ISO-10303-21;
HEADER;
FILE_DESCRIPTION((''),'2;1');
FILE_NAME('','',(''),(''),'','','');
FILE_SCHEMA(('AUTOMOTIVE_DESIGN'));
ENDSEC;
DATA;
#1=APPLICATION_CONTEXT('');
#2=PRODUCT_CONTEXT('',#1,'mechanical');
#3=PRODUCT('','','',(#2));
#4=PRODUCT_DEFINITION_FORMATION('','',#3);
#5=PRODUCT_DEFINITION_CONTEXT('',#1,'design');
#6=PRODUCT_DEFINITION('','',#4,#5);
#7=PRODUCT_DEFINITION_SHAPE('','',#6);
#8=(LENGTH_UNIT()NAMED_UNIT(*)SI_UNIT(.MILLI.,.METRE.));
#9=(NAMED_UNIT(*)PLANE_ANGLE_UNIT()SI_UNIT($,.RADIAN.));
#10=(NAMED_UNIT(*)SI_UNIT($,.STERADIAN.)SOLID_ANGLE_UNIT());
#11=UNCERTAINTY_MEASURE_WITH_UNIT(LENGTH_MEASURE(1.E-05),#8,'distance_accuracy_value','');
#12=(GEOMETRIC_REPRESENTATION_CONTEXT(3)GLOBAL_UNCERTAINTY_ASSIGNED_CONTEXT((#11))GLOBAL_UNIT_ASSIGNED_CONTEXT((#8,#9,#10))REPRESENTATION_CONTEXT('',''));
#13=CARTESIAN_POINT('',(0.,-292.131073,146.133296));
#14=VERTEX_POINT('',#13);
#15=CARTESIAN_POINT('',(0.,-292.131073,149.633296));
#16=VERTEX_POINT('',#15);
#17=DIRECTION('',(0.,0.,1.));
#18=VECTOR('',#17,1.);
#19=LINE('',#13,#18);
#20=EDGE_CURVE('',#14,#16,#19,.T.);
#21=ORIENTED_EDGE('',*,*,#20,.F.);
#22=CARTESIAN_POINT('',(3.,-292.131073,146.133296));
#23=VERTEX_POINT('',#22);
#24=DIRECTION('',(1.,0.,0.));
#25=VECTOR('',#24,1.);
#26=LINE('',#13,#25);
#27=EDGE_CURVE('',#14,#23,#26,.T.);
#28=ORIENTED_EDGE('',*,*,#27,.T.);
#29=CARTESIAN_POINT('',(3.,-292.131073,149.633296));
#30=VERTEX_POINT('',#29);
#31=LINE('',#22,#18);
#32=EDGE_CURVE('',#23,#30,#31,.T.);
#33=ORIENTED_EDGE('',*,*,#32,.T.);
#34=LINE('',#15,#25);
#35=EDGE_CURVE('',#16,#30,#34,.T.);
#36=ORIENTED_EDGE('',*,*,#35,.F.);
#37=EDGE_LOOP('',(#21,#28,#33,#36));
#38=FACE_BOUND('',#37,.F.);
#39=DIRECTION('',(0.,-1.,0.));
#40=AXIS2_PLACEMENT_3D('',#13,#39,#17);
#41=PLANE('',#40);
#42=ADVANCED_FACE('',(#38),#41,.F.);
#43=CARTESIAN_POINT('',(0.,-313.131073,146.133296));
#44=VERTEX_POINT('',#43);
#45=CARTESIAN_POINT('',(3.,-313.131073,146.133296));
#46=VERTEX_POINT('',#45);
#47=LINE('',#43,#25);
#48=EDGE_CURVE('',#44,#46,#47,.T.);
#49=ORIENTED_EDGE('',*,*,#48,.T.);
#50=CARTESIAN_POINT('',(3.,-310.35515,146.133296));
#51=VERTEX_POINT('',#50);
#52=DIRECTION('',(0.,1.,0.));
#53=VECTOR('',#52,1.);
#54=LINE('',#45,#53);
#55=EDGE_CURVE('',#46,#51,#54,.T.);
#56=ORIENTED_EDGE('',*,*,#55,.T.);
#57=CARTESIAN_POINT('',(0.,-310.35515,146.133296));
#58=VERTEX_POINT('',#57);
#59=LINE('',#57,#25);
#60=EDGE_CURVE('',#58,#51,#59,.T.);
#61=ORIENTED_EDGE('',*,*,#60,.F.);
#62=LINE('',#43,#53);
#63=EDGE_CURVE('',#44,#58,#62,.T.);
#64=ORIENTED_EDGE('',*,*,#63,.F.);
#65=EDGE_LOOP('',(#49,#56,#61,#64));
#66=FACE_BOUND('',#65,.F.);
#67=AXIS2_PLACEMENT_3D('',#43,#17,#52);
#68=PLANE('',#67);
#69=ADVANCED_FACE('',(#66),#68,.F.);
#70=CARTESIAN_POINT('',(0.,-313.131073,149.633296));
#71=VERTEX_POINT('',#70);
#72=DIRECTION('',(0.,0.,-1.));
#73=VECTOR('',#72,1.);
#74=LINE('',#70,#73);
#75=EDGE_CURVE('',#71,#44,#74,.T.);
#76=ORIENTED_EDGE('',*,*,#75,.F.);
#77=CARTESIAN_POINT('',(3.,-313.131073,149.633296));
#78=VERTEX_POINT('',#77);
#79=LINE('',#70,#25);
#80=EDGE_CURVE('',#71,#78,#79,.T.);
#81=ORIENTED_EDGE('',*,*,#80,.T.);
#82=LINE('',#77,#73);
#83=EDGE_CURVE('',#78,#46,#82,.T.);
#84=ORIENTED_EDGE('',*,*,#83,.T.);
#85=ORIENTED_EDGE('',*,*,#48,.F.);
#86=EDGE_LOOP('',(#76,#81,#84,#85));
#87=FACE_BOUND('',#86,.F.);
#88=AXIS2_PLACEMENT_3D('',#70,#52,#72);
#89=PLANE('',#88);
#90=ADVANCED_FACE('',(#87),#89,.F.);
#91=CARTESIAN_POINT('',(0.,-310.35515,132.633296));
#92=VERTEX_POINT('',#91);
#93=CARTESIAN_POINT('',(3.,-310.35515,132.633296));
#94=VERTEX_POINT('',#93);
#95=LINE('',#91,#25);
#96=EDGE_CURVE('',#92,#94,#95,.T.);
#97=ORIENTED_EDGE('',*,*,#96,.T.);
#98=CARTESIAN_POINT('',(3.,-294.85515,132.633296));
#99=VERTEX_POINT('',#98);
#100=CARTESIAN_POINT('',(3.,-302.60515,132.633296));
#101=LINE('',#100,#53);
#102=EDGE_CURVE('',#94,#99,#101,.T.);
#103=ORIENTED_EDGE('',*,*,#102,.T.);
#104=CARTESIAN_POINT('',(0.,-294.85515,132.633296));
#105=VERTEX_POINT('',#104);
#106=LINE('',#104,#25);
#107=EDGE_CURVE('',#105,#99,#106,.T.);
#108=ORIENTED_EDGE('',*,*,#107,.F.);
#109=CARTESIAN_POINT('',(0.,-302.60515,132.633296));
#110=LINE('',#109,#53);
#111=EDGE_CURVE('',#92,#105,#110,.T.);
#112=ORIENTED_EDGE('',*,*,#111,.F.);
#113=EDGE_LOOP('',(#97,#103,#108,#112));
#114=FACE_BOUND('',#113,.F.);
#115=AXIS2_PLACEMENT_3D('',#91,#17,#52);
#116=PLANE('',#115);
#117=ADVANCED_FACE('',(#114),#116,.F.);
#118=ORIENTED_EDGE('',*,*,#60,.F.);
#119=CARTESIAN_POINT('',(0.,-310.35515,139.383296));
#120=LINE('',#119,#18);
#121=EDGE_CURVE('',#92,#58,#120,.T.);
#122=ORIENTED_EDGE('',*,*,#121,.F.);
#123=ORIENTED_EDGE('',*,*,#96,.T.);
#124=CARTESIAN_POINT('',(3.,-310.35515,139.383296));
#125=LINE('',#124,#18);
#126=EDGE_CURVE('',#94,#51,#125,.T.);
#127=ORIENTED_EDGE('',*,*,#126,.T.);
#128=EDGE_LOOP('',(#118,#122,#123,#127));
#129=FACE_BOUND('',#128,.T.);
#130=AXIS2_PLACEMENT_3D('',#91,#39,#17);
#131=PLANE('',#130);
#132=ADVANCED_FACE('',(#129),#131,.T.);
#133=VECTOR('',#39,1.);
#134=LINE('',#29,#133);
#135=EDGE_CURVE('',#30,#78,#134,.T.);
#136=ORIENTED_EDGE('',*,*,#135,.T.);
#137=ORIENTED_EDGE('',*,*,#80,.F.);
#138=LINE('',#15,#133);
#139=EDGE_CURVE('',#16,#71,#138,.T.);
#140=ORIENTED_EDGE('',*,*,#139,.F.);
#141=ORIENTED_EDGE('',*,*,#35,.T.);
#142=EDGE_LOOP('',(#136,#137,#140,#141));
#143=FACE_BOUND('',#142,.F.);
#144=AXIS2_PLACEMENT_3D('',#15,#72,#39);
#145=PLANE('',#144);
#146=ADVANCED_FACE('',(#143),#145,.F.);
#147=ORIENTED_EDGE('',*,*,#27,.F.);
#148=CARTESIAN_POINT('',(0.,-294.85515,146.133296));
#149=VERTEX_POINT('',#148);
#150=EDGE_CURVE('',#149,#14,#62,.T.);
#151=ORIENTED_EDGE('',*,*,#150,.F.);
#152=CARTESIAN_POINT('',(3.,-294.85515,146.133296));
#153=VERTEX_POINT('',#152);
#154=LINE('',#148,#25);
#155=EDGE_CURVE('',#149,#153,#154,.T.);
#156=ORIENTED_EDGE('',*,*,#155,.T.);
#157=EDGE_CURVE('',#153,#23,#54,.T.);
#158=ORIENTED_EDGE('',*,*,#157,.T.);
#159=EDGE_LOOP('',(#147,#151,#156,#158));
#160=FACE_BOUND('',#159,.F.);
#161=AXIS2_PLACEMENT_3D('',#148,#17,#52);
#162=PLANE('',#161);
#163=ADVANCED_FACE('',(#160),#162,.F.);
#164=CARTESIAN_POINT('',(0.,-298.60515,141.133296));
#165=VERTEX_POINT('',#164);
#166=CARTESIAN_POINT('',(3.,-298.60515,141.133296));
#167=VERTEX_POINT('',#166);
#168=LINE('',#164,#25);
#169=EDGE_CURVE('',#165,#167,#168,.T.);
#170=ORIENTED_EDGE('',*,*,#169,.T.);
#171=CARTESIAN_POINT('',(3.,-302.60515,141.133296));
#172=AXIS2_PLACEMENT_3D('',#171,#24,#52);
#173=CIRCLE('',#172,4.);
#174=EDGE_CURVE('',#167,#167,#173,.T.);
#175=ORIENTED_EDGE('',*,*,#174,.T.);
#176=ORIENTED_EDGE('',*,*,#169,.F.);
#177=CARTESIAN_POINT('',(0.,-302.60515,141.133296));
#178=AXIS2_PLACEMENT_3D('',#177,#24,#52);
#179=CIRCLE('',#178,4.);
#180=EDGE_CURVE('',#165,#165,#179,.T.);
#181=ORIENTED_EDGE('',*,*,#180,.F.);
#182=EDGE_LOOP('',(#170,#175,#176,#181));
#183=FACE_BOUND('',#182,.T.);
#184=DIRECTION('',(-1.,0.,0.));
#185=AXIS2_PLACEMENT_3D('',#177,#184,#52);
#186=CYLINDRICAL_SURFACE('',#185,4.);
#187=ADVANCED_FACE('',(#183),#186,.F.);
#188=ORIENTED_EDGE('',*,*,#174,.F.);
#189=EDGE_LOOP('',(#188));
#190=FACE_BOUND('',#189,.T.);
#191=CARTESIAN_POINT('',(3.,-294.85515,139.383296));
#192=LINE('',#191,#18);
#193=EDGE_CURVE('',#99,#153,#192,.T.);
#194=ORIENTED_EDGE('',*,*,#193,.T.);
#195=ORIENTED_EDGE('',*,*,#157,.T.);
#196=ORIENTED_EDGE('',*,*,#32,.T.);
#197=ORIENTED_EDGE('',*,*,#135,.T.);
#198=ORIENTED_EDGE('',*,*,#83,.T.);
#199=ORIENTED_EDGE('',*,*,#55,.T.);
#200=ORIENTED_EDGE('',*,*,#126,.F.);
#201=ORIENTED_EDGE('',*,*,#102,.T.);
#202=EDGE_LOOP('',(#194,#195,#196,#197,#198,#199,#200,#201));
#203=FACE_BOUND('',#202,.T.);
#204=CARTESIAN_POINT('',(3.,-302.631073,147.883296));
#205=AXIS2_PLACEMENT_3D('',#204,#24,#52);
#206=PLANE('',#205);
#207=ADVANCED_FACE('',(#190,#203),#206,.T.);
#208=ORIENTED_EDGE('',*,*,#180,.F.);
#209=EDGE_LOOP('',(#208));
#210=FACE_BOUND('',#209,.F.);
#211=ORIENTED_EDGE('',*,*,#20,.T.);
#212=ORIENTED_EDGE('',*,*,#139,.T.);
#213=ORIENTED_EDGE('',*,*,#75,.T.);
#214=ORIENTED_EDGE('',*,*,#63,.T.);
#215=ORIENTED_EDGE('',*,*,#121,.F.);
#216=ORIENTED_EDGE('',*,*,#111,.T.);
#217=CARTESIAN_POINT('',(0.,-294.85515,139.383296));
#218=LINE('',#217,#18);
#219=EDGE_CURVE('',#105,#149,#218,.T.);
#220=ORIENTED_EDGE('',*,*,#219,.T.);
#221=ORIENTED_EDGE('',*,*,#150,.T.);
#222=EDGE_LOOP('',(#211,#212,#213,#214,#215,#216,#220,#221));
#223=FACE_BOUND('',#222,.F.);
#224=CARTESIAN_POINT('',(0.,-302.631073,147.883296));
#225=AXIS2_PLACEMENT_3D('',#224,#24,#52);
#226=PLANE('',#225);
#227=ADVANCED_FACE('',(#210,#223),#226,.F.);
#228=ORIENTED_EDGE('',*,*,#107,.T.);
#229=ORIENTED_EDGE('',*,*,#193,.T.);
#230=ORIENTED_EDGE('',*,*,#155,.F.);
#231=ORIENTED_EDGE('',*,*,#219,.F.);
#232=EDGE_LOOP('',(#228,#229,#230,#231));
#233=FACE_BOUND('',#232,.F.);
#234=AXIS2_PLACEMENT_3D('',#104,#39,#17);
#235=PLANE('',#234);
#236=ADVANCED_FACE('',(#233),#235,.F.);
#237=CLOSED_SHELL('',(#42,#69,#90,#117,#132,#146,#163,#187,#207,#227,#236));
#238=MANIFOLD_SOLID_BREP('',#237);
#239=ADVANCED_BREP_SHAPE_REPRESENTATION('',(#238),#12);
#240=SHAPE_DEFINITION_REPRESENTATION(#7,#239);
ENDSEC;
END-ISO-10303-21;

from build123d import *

# Parameters (mm, degrees)
F0_W     = 15.5
F0_H     = 13.5
F0_R     = 4
F1_DEPTH = 3


with BuildPart() as f1:
    # F0 (on Right) → F1 (new body)
    with BuildSketch(Plane.YZ):
        Polygon((-313.131073, 146.133296), (-310.35515, 146.133296), (-294.85515, 146.133296), (-292.131073, 146.133296), (-292.131073, 149.633296), (-313.131073, 149.633296), align=None)
        with Locations((-302.60515, 139.383296)):
            Rectangle(F0_W, F0_H)
        with Locations((-302.60515, 141.133296)):
            Circle(F0_R, mode=Mode.SUBTRACT)
    extrude(amount=F1_DEPTH)


solid = f1.part
